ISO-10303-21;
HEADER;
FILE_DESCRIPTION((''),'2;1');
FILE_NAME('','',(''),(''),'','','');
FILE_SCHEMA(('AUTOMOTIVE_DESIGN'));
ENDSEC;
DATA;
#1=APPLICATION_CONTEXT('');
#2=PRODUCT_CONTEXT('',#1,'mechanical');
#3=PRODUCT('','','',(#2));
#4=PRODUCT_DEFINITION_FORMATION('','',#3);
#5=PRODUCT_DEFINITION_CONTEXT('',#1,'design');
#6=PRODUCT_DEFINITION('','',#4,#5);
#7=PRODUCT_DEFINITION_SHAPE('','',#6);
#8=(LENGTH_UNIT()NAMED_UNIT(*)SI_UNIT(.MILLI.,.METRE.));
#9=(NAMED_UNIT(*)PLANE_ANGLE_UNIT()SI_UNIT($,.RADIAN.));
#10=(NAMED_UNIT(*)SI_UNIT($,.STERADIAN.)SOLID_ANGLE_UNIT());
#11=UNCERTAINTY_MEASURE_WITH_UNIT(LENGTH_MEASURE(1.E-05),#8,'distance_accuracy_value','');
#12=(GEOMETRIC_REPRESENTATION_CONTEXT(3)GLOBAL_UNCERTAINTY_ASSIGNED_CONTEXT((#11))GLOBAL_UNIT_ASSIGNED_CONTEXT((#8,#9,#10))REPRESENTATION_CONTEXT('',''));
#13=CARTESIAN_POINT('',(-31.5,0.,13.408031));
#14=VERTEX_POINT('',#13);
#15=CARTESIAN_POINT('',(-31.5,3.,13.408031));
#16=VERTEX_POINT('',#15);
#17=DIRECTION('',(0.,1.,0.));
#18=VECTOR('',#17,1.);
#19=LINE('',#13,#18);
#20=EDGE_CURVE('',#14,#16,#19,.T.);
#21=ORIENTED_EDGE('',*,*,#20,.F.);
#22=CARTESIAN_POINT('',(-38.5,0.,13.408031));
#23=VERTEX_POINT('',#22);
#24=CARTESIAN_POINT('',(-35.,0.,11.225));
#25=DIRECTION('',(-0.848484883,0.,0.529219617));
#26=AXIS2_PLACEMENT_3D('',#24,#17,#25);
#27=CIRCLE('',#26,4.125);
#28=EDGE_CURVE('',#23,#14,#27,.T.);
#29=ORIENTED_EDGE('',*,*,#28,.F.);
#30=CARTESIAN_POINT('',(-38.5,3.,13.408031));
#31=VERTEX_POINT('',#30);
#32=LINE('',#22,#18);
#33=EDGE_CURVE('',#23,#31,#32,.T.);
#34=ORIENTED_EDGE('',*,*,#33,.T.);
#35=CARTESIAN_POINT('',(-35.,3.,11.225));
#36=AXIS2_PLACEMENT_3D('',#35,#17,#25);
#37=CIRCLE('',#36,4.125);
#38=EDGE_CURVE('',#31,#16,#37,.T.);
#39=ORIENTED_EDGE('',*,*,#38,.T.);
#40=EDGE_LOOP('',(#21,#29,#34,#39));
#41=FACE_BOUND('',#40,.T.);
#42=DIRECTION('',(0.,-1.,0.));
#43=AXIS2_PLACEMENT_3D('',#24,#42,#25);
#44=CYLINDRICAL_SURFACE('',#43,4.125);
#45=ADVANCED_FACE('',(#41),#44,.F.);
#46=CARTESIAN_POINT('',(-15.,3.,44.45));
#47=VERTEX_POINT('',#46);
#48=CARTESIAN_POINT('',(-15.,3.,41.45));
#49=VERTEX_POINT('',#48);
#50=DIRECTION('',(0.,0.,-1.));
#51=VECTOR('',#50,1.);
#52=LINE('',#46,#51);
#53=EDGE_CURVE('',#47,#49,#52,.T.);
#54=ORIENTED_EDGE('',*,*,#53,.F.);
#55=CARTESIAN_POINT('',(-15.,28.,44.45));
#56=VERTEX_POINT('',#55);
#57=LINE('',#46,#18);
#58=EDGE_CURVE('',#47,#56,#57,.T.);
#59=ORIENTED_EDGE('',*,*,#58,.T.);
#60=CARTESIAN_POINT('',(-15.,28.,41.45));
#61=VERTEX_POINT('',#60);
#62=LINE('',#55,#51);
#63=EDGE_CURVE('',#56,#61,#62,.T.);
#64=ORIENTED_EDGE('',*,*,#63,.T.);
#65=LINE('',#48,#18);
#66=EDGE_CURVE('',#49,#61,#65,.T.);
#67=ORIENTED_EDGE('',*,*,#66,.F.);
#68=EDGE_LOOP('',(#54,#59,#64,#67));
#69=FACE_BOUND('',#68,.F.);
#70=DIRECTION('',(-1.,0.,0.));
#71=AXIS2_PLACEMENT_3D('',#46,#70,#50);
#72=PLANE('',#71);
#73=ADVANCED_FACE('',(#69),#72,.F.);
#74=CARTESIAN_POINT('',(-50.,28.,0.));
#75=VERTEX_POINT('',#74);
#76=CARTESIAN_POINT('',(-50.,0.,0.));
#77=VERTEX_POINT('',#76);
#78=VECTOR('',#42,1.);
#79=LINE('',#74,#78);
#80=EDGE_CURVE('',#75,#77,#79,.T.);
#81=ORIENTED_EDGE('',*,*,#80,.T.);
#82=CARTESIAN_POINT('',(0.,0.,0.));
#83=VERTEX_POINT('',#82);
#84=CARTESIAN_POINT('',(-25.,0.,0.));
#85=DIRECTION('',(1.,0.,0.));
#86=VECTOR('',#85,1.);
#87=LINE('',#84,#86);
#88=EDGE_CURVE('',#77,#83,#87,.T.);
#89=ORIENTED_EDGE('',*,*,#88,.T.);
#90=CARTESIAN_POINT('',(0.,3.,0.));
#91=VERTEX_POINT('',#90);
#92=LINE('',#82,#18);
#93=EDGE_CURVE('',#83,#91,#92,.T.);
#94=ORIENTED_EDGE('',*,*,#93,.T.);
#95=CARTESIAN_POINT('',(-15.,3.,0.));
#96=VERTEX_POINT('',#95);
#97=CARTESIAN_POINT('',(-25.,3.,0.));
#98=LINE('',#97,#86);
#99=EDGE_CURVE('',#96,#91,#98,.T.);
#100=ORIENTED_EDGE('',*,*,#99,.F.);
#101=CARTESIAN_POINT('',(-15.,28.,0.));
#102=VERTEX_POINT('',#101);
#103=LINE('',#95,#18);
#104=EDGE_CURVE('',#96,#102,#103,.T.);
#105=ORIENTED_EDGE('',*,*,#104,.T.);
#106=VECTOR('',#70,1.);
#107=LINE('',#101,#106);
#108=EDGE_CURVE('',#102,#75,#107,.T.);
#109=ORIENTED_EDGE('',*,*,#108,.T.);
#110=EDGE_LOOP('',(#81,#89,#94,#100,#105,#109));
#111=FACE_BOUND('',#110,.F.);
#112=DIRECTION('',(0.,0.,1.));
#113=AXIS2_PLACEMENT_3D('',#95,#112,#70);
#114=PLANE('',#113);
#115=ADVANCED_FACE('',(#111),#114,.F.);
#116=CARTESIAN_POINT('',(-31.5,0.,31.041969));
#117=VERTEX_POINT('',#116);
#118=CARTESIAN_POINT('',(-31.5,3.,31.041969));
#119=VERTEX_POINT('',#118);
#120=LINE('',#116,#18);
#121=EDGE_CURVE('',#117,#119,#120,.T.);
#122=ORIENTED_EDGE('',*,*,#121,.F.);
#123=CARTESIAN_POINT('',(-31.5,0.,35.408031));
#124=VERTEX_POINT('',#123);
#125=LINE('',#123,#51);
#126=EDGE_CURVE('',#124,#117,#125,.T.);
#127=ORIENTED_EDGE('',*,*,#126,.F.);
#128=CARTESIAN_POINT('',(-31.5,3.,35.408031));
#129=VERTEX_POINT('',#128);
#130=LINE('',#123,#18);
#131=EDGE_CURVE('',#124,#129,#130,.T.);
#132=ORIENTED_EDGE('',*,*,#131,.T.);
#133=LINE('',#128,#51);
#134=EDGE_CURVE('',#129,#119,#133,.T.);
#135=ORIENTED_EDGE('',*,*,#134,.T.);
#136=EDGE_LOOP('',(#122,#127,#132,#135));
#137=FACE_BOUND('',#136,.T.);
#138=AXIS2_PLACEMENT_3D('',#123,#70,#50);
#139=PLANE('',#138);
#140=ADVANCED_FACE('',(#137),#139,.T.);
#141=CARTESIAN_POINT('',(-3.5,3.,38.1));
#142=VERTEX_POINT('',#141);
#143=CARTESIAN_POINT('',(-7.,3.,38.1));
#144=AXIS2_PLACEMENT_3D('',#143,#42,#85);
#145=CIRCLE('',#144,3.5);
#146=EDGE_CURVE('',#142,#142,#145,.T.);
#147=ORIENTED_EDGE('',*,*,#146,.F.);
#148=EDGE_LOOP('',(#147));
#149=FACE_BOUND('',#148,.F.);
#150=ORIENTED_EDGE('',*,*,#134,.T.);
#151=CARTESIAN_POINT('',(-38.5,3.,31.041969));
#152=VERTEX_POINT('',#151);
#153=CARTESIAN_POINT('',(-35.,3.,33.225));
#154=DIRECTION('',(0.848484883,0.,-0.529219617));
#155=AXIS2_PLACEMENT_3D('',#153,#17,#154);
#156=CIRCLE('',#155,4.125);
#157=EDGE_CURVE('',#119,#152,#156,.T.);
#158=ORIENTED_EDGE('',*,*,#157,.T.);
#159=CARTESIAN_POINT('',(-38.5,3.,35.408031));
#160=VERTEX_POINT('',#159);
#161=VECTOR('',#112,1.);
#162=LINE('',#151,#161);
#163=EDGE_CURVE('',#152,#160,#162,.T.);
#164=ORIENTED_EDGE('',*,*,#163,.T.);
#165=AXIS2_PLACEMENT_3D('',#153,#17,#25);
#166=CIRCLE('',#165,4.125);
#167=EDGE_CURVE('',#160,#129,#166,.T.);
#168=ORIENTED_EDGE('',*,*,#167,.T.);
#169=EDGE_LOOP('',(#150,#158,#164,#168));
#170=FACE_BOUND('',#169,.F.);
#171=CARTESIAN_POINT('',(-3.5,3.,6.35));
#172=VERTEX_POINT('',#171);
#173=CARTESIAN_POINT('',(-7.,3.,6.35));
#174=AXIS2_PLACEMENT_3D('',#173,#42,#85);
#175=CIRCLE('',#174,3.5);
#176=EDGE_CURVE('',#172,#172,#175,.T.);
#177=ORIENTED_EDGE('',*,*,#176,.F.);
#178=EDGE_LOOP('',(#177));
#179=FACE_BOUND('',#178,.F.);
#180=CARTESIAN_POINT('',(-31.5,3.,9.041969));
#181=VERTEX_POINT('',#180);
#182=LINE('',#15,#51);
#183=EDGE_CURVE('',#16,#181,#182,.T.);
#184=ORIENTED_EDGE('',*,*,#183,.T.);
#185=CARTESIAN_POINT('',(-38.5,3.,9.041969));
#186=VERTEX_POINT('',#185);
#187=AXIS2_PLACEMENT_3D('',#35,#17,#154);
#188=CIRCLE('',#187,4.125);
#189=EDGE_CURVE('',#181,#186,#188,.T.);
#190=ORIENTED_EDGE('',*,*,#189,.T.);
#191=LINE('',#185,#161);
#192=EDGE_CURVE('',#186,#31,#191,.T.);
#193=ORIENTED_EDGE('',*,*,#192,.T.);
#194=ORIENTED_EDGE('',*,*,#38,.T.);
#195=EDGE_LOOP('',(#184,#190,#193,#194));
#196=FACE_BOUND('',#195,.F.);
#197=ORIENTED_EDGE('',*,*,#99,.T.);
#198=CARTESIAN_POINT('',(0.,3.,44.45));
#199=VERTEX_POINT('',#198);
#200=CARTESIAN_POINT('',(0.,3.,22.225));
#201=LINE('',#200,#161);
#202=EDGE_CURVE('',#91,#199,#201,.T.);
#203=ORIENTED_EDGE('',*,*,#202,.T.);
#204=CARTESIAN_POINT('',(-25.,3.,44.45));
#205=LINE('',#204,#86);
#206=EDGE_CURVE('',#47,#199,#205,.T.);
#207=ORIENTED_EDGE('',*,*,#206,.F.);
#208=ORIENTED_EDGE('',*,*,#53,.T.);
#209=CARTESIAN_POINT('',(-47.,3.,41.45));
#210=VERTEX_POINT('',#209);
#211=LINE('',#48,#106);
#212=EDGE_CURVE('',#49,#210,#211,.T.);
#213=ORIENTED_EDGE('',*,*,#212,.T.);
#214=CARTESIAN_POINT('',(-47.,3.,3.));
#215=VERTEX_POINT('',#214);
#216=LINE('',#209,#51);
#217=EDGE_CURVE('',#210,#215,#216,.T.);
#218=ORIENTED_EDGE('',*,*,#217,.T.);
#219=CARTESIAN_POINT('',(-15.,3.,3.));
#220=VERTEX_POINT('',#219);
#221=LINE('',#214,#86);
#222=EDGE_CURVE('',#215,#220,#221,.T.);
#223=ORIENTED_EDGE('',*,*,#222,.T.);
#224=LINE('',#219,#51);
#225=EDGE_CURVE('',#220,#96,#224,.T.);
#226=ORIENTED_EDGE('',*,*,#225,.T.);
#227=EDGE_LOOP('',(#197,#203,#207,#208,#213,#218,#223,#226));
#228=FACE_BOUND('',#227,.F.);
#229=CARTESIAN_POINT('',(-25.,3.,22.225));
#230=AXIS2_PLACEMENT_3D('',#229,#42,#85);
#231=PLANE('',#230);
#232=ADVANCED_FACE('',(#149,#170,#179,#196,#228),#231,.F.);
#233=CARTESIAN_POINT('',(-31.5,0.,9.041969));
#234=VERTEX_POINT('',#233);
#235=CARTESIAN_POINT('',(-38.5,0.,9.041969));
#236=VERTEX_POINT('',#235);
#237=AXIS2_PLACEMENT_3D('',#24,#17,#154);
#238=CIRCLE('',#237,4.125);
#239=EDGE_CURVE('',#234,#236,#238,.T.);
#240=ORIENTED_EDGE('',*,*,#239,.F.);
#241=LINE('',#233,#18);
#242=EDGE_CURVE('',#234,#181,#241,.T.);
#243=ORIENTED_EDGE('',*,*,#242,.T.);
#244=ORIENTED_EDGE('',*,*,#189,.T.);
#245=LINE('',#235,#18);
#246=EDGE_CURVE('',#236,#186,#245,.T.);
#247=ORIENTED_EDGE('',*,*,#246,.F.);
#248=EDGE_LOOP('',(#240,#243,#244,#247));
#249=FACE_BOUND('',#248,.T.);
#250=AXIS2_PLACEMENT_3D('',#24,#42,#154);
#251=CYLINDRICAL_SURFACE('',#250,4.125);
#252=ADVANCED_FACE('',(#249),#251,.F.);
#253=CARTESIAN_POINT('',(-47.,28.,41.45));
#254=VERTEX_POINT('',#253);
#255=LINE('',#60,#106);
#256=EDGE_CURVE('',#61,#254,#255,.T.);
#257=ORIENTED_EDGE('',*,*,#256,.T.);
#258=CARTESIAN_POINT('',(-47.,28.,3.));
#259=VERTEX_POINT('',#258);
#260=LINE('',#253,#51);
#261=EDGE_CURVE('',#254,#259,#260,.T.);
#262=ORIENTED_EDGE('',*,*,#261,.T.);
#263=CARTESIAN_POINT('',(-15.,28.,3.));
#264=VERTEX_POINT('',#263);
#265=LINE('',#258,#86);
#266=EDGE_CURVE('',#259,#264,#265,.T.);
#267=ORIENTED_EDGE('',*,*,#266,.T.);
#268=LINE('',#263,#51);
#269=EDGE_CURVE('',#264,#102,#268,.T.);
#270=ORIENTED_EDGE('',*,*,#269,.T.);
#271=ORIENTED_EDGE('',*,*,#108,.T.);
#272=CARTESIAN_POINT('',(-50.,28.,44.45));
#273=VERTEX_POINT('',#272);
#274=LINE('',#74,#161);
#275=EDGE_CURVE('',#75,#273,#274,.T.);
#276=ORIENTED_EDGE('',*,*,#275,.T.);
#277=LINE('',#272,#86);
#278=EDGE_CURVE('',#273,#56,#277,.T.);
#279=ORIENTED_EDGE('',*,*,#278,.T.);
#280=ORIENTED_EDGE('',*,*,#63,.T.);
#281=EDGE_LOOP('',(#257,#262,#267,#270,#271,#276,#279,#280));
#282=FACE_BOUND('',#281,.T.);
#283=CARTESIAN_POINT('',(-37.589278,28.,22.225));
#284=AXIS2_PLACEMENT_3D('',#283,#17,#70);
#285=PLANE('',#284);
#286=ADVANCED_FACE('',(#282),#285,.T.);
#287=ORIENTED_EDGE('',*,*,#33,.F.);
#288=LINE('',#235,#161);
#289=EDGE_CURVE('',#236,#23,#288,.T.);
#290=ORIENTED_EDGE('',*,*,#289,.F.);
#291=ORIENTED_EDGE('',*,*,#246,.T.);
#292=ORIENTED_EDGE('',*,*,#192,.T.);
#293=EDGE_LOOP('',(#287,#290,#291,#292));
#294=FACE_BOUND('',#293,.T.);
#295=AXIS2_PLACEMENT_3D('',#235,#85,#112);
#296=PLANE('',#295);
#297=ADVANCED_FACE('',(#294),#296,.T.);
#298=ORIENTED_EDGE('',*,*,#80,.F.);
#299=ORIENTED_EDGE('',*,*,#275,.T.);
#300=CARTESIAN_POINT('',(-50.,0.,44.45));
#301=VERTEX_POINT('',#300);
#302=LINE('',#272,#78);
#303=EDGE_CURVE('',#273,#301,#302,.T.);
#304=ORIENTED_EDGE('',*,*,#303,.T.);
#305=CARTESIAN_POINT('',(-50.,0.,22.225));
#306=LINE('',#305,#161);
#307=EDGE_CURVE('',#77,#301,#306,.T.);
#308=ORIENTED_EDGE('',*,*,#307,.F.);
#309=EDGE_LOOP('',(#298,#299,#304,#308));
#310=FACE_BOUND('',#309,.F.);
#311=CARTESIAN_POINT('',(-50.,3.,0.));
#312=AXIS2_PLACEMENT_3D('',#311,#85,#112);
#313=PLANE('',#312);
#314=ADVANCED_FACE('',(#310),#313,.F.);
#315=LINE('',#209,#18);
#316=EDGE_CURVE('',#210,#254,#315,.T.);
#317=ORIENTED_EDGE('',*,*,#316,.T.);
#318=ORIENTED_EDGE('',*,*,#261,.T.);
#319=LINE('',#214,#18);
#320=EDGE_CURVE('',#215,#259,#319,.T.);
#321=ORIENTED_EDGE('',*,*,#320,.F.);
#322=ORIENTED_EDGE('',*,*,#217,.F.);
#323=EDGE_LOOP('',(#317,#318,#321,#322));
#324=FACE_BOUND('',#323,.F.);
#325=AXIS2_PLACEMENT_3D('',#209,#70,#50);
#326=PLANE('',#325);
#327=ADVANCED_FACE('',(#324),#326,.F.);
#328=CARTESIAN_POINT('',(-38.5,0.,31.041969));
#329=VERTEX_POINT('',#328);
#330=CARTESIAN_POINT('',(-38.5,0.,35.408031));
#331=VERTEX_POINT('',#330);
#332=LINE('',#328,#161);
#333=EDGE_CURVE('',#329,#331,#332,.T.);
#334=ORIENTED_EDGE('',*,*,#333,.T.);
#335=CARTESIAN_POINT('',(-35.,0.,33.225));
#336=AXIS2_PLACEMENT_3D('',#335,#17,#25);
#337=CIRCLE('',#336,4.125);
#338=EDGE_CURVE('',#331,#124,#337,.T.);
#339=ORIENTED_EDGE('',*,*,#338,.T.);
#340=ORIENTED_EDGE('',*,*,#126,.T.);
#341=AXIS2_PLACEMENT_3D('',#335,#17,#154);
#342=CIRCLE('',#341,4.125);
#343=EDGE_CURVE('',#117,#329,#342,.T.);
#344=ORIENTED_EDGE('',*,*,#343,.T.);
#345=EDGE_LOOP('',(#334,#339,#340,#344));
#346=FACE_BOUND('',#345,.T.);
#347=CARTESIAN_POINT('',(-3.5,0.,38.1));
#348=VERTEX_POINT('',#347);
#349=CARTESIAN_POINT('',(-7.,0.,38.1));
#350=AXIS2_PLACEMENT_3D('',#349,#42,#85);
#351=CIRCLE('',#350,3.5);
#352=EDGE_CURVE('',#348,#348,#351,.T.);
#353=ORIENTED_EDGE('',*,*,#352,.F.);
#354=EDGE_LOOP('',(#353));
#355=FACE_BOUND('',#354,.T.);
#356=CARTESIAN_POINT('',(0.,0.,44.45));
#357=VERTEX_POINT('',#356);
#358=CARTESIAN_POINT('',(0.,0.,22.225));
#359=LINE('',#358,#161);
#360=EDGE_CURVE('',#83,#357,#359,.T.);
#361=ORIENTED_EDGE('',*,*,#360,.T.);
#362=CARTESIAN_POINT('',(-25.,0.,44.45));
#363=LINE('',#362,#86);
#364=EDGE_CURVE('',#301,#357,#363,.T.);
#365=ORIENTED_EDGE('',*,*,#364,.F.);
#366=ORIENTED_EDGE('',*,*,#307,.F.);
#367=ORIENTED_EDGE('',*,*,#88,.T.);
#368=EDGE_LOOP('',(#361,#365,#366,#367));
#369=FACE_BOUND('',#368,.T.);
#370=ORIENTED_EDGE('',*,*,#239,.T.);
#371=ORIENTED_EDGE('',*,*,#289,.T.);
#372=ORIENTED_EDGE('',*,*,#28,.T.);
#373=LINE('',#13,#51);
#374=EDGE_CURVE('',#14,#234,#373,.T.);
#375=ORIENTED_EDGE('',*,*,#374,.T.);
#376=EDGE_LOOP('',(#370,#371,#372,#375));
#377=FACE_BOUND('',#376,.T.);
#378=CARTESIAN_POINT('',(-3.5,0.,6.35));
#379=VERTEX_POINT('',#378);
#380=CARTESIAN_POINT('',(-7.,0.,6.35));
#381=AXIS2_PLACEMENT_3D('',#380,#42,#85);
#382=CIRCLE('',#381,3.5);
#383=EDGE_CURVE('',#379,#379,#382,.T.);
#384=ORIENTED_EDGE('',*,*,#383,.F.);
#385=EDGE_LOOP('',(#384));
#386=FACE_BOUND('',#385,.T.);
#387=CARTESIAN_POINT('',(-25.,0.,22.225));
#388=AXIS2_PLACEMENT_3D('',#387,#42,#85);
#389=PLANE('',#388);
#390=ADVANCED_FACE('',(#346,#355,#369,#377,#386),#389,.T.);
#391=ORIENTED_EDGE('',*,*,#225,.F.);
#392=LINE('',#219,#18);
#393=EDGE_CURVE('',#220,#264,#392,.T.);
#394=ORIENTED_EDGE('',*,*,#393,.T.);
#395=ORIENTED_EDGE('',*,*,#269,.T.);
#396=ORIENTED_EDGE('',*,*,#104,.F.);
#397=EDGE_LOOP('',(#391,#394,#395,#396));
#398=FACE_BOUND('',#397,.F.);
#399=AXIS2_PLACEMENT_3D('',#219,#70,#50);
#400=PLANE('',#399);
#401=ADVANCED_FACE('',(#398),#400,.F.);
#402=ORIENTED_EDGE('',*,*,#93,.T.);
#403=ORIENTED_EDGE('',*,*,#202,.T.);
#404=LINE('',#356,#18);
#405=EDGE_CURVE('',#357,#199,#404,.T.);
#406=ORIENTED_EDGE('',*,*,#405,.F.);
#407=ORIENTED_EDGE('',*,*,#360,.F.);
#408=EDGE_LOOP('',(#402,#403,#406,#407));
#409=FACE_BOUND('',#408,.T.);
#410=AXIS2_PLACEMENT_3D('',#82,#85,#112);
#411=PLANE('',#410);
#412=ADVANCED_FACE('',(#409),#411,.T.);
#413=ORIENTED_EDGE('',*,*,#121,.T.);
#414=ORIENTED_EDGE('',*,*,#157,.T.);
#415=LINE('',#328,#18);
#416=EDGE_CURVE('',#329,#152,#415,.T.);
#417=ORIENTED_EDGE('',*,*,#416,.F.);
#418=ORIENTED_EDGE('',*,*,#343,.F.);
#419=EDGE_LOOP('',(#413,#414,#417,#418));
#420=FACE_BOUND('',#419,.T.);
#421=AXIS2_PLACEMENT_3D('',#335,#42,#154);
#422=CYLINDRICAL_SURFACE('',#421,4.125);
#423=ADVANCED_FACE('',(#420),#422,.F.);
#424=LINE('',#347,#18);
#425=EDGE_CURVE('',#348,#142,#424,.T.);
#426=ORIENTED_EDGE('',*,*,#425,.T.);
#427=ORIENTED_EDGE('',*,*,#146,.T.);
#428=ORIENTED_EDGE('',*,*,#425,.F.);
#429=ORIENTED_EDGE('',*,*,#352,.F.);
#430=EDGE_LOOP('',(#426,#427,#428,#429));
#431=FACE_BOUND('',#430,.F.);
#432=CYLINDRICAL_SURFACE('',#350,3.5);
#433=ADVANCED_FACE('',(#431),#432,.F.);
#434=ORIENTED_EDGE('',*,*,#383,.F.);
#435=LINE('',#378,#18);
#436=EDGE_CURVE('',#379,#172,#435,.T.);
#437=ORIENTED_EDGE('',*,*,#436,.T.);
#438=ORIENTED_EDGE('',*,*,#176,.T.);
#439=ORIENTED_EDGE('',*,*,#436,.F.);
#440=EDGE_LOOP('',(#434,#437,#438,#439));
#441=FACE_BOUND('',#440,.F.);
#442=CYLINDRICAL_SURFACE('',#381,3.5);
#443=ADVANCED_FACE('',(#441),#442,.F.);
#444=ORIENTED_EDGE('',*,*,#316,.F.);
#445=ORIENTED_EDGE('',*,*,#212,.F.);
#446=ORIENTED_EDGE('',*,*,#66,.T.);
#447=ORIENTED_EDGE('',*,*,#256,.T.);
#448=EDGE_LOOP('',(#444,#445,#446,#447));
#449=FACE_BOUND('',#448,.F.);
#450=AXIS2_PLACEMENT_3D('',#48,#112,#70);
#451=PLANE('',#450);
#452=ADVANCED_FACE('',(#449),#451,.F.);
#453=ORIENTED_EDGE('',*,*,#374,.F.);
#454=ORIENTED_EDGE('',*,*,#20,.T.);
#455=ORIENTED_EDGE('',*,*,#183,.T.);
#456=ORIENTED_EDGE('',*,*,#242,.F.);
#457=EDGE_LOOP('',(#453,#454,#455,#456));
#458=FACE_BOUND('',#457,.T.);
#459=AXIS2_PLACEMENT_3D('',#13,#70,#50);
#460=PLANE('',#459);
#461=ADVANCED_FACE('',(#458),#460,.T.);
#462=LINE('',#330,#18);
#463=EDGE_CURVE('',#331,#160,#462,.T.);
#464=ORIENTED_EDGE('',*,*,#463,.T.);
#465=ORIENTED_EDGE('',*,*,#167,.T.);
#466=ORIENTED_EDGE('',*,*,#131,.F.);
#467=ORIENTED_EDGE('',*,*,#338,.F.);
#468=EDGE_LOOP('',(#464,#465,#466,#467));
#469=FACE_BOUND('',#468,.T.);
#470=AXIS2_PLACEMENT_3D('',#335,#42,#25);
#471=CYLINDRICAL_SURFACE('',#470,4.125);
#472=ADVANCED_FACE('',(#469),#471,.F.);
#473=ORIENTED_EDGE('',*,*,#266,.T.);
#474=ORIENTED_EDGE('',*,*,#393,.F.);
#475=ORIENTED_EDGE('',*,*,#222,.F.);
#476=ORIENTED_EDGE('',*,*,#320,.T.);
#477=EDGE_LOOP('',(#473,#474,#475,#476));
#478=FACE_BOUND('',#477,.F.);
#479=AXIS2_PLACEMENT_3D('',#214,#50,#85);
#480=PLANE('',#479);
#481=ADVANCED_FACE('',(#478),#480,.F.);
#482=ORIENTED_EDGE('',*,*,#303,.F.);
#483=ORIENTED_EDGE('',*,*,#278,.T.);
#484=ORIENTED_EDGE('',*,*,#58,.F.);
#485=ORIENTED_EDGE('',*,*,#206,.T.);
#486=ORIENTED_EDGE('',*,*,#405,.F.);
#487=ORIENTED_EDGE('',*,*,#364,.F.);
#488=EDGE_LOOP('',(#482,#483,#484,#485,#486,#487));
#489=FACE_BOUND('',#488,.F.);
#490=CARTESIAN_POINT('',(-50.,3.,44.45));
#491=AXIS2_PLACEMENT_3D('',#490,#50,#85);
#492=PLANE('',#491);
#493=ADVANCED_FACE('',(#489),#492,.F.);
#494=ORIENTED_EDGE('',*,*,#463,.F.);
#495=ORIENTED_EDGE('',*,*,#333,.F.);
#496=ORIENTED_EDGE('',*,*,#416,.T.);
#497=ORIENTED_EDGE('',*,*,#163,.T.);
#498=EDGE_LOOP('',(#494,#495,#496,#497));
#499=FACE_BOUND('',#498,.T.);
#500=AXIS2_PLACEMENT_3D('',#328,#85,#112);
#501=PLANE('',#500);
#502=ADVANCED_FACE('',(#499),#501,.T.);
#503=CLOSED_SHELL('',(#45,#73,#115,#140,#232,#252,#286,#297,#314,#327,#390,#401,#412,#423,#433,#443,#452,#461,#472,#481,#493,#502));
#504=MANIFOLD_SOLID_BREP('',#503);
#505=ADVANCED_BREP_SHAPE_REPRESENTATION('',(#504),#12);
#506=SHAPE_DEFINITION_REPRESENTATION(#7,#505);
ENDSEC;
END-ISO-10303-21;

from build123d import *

# Parameters (mm, degrees)
F0_W     = 50
F0_H     = 44.45
F0_R     = 3.5
F1_DEPTH = 3
F3_DEPTH = 25


with BuildPart() as f1:
    # F0 (on Front) → F1 (new body)
    with BuildSketch(Plane.XZ):
        with Locations((-25, 22.225)):
            Rectangle(F0_W, F0_H)
        with BuildLine():
            Line((-38.5, 9.041969), (-38.5, 13.408031))
            ThreePointArc((-38.5, 13.408031), (-35, 15.35), (-31.5, 13.408031))
            Line((-31.5, 13.408031), (-31.5, 9.041969))
            ThreePointArc((-31.5, 9.041969), (-35, 7.1), (-38.5, 9.041969))
        make_face(mode=Mode.SUBTRACT)
        with Locations((-7, 6.35)):
            Circle(F0_R, mode=Mode.SUBTRACT)
        with BuildLine():
            ThreePointArc((-38.5, 35.408031), (-35, 37.35), (-31.5, 35.408031))
            Line((-31.5, 35.408031), (-31.5, 31.041969))
            ThreePointArc((-31.5, 31.041969), (-35, 29.1), (-38.5, 31.041969))
            Line((-38.5, 31.041969), (-38.5, 35.408031))
        make_face(mode=Mode.SUBTRACT)
        with Locations((-7, 38.1)):
            Circle(F0_R, mode=Mode.SUBTRACT)
    extrude(amount=-F1_DEPTH)

    # F2 (on face) → F3 (join)
    with BuildSketch(Plane(origin=(0, 3, 0), x_dir=(-1, 0, 0), z_dir=(0, 1, 0))):
        Polygon((50, 44.45), (15, 44.45), (15, 41.45), (47, 41.45), (47, 3), (15, 3), (15, 0), (50, 0), align=None)
    extrude(amount=F3_DEPTH)


solid = f1.part
